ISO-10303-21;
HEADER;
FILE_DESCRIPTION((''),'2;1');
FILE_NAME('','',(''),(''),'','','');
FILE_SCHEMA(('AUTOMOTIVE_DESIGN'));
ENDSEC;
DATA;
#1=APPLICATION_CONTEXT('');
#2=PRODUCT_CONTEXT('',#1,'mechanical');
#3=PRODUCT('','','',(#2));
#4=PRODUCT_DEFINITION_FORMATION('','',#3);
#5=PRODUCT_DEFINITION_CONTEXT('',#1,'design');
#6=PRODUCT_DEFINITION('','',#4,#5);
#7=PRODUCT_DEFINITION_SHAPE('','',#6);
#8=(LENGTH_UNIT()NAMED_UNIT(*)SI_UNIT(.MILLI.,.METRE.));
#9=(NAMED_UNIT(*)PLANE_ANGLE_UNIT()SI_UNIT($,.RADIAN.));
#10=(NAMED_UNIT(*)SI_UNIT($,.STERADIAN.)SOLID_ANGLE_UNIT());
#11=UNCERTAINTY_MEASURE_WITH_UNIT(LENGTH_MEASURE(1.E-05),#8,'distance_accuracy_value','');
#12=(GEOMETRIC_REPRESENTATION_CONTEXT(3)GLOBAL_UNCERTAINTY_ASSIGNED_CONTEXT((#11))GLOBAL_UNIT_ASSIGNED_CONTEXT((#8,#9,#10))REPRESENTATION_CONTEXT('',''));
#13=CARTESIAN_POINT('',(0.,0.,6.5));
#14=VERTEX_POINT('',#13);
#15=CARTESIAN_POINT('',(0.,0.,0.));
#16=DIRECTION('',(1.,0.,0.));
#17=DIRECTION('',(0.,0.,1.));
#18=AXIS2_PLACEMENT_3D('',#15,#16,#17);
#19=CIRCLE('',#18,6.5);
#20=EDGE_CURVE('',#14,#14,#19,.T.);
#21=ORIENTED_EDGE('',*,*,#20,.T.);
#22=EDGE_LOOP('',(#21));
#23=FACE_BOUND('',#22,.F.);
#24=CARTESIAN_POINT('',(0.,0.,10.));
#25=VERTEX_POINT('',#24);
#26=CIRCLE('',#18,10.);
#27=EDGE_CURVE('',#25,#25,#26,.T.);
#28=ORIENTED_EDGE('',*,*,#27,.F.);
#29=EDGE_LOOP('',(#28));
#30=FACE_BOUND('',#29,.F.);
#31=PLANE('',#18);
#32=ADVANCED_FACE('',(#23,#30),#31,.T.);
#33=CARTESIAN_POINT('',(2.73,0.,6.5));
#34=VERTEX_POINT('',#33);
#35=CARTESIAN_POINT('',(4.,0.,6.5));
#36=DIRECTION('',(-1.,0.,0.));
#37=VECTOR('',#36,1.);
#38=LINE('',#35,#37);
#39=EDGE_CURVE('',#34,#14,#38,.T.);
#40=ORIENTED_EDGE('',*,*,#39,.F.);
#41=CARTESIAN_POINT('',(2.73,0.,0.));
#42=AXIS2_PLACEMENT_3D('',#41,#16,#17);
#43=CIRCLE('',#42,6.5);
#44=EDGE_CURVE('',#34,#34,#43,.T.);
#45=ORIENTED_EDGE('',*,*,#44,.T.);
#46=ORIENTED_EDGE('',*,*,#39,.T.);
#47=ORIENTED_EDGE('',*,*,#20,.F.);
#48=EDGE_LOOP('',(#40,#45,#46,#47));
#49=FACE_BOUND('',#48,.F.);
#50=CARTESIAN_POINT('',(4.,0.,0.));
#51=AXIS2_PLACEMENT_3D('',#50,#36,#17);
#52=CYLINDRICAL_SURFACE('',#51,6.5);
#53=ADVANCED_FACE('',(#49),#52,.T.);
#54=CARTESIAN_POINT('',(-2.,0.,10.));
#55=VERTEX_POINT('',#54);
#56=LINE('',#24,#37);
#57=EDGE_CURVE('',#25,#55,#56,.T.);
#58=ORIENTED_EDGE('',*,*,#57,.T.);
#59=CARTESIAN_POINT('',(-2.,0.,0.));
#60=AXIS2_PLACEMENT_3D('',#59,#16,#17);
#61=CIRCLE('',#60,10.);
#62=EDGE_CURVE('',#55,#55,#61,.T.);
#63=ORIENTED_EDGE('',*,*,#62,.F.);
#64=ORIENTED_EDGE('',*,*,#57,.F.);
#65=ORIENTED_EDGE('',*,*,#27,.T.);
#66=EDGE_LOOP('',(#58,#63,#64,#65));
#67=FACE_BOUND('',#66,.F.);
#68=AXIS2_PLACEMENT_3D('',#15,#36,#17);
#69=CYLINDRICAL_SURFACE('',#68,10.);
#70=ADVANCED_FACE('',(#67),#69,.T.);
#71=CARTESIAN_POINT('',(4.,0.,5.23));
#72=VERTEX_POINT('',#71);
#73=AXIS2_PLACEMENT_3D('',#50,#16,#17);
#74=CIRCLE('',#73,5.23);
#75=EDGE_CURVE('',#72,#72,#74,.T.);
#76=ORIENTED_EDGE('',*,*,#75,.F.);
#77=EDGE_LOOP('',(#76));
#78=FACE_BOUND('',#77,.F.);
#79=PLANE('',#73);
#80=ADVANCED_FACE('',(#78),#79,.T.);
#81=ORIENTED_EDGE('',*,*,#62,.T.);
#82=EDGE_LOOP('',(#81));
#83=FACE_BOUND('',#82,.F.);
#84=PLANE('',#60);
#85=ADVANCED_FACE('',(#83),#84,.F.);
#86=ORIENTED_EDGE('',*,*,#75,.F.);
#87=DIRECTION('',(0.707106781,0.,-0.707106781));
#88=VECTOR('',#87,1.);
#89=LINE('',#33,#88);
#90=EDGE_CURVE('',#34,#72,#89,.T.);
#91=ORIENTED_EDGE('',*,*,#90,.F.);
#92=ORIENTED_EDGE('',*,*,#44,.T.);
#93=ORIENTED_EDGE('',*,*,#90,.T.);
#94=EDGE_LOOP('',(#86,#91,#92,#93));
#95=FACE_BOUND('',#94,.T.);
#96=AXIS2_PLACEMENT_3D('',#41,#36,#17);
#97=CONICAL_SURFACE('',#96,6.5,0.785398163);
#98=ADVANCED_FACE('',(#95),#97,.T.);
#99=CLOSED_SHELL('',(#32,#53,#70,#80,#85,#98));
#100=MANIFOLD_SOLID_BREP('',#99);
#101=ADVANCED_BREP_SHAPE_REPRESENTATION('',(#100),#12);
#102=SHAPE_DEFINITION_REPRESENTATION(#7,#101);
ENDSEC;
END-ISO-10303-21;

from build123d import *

# Parameters (mm, degrees)
F2_SIZE = 1.27


with BuildPart() as f1:
    # F0 (on Front) → F1 (revolve)
    with BuildSketch(Plane.XZ):
        Polygon((4, 6.5), (0, 6.5), (0, 10), (-2, 10), (-2, 0), (4, 0), align=None)
    revolve(axis=Axis((0, 0, 0), (1, 0, 0)))

    # F2
    f2_edges = [f1.edges().sort_by_distance(p)[0] for p in [
        (4, 0, -6.5),
    ]]
    chamfer(f2_edges, length=F2_SIZE)


solid = f1.part
